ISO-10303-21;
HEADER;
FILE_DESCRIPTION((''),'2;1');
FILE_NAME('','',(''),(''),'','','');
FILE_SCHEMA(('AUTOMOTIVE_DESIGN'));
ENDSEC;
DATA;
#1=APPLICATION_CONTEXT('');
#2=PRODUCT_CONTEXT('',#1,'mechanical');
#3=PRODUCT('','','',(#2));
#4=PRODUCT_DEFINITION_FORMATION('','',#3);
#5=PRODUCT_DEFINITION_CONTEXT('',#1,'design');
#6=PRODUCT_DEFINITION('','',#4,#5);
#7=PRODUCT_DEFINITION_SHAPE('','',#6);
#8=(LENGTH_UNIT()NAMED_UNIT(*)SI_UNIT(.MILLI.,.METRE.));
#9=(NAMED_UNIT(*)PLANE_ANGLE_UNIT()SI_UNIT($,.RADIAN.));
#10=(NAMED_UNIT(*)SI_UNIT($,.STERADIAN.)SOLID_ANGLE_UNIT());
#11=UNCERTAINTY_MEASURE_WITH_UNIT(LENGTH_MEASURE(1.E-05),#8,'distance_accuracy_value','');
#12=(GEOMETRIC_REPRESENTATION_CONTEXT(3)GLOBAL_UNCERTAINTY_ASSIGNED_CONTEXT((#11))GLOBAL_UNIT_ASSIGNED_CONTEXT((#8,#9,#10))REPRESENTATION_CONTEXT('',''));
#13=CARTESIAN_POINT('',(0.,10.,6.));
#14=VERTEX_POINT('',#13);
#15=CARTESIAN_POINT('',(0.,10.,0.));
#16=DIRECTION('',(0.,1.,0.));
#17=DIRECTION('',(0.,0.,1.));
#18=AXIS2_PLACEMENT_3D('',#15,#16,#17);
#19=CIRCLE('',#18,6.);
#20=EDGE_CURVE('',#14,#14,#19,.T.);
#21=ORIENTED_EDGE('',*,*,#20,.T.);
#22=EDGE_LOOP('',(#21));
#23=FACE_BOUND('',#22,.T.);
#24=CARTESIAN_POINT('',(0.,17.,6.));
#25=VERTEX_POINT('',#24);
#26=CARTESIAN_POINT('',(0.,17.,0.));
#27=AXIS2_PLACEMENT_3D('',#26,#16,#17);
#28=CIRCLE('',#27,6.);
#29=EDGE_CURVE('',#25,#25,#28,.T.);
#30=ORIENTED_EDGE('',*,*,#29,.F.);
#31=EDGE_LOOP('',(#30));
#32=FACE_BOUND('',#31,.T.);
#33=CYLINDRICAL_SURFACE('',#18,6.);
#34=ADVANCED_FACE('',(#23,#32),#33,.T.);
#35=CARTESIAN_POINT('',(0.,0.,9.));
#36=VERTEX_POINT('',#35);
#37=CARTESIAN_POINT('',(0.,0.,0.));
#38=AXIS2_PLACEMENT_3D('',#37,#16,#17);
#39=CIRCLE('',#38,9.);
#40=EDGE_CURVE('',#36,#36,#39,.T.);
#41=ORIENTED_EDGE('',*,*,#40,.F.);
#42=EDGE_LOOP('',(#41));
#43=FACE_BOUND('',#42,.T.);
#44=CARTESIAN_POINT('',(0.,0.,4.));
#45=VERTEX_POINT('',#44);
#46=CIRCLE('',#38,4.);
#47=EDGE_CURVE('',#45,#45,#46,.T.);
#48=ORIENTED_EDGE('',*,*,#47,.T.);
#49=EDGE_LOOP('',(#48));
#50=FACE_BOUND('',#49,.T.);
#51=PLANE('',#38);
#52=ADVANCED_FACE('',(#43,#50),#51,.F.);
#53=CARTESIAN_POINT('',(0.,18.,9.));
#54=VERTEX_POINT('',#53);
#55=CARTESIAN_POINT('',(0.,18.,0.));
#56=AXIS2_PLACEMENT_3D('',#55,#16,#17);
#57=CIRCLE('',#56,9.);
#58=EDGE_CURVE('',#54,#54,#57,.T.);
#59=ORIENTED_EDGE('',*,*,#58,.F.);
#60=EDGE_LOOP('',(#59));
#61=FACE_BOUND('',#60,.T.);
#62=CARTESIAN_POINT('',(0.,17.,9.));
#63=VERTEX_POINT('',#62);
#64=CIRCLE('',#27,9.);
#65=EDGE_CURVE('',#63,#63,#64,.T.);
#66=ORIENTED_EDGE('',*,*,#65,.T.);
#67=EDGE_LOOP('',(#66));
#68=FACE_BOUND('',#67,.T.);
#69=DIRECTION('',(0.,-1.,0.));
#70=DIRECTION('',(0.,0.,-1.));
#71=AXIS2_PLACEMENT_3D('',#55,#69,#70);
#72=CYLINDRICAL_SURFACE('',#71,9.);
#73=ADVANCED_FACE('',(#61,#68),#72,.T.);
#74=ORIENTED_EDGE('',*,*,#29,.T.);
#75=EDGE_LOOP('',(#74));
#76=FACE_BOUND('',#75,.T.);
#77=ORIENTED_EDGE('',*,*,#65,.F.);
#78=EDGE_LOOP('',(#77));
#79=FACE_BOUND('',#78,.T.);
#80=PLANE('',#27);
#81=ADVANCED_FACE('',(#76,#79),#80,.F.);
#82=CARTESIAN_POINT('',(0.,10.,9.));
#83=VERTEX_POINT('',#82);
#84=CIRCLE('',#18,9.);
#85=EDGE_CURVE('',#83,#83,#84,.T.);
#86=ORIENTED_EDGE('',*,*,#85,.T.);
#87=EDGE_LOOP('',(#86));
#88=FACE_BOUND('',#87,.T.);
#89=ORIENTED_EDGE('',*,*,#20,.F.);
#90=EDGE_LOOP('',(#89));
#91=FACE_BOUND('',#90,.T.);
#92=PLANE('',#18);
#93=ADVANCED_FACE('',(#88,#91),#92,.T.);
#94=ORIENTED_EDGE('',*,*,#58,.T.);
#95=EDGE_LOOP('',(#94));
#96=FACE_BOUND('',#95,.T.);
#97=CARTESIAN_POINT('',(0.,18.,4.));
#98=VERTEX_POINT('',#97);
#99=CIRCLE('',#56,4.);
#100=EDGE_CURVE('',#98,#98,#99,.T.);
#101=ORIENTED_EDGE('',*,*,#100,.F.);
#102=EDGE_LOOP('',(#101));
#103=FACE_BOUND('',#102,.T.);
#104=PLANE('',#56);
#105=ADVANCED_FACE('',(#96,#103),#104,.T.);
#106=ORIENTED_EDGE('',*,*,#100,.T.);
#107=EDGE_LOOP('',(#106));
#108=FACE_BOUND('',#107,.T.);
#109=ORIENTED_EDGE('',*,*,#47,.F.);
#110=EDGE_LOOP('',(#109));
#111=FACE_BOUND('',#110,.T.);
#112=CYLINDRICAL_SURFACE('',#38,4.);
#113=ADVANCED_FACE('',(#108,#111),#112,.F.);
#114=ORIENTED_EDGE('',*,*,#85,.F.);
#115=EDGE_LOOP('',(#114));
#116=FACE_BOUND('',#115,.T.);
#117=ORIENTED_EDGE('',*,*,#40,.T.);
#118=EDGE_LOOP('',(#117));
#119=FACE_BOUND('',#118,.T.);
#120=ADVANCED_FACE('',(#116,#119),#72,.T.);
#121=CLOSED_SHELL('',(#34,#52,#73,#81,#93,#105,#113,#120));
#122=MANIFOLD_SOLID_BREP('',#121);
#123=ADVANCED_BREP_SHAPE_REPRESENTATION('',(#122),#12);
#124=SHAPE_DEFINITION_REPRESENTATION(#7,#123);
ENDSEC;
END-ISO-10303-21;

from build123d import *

# Parameters (mm, degrees)
SKETCH1_R           = 9
BOSS_EXTRUDE1_DEPTH = 18
SKETCH2_R           = 4
CUT_EXTRUDE1_DEPTH  = 23.045407685
CUT_EXTRUDE2_START  = -1
SKETCH3_R           = 10
SKETCH3_R_2         = 6
CUT_EXTRUDE2_DEPTH  = 7


with BuildPart() as part:
    # Sketch1 → Boss-Extrude1 (new body)
    with BuildSketch(Plane(origin=(0, 0, 0), x_dir=(1, 0, 0), z_dir=(0, 1, 0))):
        with Locations(Location((0, 0, 0), (0, 0, 270))):
            Circle(SKETCH1_R)
    extrude(amount=BOSS_EXTRUDE1_DEPTH)

    # Sketch2 → Cut-Extrude1 (cut, through all)
    with BuildSketch(Plane(origin=(0, 18, 0), x_dir=(1, 0, 0), z_dir=(0, 1, 0))):
        with Locations(Location((0, 0, 0), (0, 0, 270))):
            Circle(SKETCH2_R)
    extrude(amount=-CUT_EXTRUDE1_DEPTH, mode=Mode.SUBTRACT)

    # Sketch3 → Cut-Extrude2 (cut)
    with BuildSketch(Plane(origin=(0, 18, 0), x_dir=(1, 0, 0), z_dir=(0, 1, 0)).offset(CUT_EXTRUDE2_START)):
        Circle(SKETCH3_R)
        with Locations(Location((0, 0, 0), (0, 0, 270))):
            Circle(SKETCH3_R_2, mode=Mode.SUBTRACT)
    extrude(amount=-CUT_EXTRUDE2_DEPTH, mode=Mode.SUBTRACT)


solid = part.part
